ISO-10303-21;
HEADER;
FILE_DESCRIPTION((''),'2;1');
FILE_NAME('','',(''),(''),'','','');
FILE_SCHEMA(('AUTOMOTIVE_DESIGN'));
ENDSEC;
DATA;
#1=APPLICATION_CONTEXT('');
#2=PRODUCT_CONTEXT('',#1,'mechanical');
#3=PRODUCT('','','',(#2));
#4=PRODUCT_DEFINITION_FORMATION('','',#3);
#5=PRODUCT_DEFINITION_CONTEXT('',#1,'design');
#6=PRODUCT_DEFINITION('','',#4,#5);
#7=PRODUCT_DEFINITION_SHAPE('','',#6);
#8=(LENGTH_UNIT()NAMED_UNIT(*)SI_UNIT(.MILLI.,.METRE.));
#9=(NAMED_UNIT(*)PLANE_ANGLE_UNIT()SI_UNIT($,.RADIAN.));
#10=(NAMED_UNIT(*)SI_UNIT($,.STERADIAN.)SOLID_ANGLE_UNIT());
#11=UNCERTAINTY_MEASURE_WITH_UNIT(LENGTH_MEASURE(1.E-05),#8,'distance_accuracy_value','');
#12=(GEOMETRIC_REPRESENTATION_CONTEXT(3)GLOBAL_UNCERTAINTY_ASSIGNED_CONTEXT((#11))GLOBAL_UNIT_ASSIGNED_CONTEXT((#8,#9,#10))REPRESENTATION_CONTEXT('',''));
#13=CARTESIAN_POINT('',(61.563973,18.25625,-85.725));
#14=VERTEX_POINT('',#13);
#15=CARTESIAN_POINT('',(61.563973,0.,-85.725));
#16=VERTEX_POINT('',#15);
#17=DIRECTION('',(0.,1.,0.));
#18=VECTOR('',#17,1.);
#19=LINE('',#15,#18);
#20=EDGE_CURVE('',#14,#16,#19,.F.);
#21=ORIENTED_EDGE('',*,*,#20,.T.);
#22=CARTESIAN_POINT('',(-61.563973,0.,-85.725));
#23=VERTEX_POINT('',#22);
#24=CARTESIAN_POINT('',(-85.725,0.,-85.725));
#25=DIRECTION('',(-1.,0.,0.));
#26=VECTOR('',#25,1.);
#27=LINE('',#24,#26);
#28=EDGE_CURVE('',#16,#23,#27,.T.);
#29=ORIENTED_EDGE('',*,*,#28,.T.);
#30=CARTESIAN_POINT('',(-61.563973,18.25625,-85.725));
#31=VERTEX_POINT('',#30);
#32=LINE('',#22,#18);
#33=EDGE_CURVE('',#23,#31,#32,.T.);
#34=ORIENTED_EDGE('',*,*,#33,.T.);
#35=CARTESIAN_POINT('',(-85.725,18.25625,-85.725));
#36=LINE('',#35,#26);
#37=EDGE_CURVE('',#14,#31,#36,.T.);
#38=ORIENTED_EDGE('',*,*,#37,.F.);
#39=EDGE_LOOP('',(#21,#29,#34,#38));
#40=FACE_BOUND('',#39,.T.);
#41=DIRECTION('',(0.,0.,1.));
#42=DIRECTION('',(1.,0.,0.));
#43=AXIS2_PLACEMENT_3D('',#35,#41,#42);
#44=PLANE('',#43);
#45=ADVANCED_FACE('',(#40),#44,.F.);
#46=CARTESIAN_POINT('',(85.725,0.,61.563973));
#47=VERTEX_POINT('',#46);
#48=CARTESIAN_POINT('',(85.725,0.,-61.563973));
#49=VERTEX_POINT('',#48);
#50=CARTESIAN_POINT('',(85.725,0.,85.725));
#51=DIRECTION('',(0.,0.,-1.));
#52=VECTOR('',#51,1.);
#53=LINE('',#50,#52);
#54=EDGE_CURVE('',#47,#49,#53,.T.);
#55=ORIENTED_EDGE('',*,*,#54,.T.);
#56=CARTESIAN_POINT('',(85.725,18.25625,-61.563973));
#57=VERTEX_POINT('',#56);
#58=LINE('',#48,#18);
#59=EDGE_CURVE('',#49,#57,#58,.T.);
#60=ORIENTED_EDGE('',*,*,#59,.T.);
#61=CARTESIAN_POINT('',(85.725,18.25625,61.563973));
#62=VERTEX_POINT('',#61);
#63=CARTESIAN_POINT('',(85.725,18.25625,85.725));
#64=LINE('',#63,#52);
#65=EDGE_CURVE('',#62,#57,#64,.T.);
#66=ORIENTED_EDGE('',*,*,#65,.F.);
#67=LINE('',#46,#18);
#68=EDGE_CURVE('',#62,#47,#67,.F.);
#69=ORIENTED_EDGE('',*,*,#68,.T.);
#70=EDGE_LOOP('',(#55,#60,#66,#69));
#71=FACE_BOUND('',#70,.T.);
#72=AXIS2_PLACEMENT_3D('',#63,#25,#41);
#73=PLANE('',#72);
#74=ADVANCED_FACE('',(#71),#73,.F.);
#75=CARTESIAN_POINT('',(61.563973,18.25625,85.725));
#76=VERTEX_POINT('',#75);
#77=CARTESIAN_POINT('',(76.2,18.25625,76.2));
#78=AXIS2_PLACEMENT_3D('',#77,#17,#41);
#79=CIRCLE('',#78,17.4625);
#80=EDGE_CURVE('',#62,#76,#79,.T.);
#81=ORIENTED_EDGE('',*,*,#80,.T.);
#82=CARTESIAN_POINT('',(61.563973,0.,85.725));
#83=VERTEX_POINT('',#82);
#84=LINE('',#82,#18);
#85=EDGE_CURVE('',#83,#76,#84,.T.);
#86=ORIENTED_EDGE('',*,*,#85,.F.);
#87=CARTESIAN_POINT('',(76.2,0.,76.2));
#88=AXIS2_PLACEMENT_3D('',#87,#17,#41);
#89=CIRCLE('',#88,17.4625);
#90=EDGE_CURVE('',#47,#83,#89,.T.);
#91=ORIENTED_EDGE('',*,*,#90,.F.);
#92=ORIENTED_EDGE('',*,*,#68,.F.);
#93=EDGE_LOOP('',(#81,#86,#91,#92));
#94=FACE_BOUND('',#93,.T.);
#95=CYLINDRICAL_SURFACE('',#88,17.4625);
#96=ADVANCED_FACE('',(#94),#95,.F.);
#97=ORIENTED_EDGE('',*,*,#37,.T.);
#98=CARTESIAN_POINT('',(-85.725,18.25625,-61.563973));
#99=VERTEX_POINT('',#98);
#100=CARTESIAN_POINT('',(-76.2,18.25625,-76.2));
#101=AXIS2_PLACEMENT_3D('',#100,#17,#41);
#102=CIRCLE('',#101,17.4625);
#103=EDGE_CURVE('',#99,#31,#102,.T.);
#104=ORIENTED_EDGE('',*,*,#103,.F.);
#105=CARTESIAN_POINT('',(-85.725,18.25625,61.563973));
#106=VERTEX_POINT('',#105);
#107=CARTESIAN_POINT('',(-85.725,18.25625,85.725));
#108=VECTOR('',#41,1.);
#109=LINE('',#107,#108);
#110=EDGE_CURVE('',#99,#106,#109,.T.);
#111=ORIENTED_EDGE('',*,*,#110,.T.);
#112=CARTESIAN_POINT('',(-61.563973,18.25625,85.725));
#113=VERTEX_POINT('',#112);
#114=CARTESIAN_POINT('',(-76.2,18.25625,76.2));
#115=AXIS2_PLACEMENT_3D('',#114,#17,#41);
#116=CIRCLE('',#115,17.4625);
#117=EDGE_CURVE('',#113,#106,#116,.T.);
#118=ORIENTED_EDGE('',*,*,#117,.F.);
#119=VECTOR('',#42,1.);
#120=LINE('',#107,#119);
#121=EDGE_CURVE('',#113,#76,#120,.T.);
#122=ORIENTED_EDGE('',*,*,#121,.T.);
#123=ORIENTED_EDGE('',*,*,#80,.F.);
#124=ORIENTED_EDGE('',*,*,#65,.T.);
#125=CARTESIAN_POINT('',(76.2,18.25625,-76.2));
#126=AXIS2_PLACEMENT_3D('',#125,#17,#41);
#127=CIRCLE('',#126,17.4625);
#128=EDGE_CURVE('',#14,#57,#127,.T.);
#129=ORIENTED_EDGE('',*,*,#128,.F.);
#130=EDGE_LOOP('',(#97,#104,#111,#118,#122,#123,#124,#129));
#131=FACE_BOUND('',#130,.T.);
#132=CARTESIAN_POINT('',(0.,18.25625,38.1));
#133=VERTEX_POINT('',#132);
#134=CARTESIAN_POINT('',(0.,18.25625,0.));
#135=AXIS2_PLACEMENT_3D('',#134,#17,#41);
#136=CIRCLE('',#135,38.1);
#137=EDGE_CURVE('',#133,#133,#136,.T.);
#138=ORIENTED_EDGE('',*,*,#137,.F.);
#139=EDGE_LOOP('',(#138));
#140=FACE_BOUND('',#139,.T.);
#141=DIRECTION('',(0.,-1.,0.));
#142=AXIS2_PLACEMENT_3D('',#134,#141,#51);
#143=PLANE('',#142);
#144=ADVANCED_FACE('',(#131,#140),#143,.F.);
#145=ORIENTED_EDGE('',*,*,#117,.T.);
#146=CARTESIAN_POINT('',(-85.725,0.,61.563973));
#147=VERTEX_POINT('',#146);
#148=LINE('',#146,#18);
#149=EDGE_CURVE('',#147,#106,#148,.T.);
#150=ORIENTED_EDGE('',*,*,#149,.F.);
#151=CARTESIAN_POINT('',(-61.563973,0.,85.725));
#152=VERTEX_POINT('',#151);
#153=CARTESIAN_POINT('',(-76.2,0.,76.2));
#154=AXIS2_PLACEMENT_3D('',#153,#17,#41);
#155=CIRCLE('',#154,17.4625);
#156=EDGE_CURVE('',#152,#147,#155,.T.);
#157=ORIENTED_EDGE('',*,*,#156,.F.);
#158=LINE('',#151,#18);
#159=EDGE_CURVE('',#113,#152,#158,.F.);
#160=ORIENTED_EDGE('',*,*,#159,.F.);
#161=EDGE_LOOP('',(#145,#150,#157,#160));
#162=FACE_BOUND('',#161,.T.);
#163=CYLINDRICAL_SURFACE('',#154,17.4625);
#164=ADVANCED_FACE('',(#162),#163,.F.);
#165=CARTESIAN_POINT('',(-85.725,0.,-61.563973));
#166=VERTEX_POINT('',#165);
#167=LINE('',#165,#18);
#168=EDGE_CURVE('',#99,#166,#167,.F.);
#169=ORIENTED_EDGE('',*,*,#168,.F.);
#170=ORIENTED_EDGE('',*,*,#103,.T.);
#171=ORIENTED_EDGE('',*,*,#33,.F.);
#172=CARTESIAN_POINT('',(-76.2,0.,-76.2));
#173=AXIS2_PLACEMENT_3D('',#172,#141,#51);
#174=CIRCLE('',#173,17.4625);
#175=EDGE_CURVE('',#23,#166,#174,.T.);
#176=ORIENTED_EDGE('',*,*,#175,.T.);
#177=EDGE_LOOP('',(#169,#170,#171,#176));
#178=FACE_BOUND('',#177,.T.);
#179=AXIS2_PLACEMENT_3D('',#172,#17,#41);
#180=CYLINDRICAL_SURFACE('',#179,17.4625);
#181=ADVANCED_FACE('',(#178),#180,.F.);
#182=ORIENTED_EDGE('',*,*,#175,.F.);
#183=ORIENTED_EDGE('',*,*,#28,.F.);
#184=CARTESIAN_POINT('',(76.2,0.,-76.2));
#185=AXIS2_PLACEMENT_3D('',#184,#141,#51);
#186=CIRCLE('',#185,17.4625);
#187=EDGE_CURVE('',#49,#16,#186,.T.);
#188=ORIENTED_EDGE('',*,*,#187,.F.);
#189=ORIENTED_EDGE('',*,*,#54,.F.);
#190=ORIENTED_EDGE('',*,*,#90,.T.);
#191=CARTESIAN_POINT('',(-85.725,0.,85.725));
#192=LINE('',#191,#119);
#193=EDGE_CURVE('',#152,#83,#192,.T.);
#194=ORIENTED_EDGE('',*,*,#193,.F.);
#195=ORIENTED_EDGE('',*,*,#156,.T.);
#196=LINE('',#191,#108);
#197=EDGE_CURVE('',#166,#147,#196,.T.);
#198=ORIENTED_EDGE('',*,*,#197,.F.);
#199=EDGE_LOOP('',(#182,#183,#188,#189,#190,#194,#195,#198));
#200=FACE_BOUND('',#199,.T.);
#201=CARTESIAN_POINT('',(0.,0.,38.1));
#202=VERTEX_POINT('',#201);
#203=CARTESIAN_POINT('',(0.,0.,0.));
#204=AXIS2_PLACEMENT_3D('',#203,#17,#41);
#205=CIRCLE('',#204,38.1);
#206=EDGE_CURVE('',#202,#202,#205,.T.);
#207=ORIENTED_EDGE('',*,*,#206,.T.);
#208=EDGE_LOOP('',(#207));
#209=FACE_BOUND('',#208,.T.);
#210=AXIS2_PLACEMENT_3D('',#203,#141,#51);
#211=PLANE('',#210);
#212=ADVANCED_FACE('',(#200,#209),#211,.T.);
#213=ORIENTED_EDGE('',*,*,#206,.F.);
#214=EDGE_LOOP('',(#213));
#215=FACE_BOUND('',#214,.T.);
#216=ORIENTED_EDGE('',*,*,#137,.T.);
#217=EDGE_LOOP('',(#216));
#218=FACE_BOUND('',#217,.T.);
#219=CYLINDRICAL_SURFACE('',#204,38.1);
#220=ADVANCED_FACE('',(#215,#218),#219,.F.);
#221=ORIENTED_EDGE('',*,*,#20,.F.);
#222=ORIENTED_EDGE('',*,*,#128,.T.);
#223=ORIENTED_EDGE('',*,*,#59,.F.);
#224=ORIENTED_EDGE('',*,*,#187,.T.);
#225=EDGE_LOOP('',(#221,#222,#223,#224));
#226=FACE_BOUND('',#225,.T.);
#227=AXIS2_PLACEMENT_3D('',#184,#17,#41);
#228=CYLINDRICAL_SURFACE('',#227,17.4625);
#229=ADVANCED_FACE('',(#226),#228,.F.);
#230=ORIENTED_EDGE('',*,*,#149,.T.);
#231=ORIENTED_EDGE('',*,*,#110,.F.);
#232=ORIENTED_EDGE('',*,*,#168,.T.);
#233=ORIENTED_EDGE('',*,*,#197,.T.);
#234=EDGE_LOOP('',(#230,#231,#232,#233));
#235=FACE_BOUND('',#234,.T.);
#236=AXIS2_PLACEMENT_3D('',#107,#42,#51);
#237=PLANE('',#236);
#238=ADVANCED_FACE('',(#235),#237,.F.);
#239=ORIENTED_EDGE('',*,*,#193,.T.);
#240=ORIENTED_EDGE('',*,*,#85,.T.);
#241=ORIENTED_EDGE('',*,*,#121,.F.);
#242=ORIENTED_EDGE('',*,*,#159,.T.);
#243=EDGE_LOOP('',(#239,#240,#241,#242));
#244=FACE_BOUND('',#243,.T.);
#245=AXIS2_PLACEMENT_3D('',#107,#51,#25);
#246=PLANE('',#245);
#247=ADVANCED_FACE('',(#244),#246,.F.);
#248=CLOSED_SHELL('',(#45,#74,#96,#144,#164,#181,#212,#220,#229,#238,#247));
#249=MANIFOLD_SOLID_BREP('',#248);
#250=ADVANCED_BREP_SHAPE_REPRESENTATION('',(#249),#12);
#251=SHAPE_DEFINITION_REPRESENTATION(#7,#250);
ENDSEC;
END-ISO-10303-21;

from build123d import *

# Parameters (mm, degrees)
SKETCH1_W           = 171.45
SKETCH1_H           = 171.45
BOSS_EXTRUDE1_DEPTH = 18.25625
SKETCH2_R           = 17.4625
CUT_EXTRUDE1_DEPTH  = 123.60033407
SKETCH5_R           = 38.1
CUT_EXTRUDE2_DEPTH  = 123.60033407


with BuildPart() as part:
    # Sketch1 → Boss-Extrude1 (new body)
    with BuildSketch(Plane(origin=(0, 0, 0), x_dir=(1, 0, 0), z_dir=(0, 1, 0))):
        Rectangle(SKETCH1_W, SKETCH1_H)
    extrude(amount=BOSS_EXTRUDE1_DEPTH)

    # Sketch2 → Cut-Extrude1 (cut, through all)
    with BuildSketch(Plane(origin=(0, 18.25625, 0), x_dir=(1, 0, 0), z_dir=(0, 1, 0))):
        with Locations((-76.2, 76.2)):
            Circle(SKETCH2_R)
        with Locations((76.2, 76.2)):
            Circle(SKETCH2_R)
        with Locations((76.2, -76.2)):
            Circle(SKETCH2_R)
        with Locations((-76.2, -76.2)):
            Circle(SKETCH2_R)
    extrude(amount=-CUT_EXTRUDE1_DEPTH, mode=Mode.SUBTRACT)

    # Sketch5 → Cut-Extrude2 (cut, through all)
    with BuildSketch(Plane(origin=(0, 18.25625, 0), x_dir=(1, 0, 0), z_dir=(0, 1, 0))):
        with Locations(Location((0, 0, 0), (0, 0, 270))):
            Circle(SKETCH5_R)
    extrude(amount=-CUT_EXTRUDE2_DEPTH, mode=Mode.SUBTRACT)


solid = part.part
